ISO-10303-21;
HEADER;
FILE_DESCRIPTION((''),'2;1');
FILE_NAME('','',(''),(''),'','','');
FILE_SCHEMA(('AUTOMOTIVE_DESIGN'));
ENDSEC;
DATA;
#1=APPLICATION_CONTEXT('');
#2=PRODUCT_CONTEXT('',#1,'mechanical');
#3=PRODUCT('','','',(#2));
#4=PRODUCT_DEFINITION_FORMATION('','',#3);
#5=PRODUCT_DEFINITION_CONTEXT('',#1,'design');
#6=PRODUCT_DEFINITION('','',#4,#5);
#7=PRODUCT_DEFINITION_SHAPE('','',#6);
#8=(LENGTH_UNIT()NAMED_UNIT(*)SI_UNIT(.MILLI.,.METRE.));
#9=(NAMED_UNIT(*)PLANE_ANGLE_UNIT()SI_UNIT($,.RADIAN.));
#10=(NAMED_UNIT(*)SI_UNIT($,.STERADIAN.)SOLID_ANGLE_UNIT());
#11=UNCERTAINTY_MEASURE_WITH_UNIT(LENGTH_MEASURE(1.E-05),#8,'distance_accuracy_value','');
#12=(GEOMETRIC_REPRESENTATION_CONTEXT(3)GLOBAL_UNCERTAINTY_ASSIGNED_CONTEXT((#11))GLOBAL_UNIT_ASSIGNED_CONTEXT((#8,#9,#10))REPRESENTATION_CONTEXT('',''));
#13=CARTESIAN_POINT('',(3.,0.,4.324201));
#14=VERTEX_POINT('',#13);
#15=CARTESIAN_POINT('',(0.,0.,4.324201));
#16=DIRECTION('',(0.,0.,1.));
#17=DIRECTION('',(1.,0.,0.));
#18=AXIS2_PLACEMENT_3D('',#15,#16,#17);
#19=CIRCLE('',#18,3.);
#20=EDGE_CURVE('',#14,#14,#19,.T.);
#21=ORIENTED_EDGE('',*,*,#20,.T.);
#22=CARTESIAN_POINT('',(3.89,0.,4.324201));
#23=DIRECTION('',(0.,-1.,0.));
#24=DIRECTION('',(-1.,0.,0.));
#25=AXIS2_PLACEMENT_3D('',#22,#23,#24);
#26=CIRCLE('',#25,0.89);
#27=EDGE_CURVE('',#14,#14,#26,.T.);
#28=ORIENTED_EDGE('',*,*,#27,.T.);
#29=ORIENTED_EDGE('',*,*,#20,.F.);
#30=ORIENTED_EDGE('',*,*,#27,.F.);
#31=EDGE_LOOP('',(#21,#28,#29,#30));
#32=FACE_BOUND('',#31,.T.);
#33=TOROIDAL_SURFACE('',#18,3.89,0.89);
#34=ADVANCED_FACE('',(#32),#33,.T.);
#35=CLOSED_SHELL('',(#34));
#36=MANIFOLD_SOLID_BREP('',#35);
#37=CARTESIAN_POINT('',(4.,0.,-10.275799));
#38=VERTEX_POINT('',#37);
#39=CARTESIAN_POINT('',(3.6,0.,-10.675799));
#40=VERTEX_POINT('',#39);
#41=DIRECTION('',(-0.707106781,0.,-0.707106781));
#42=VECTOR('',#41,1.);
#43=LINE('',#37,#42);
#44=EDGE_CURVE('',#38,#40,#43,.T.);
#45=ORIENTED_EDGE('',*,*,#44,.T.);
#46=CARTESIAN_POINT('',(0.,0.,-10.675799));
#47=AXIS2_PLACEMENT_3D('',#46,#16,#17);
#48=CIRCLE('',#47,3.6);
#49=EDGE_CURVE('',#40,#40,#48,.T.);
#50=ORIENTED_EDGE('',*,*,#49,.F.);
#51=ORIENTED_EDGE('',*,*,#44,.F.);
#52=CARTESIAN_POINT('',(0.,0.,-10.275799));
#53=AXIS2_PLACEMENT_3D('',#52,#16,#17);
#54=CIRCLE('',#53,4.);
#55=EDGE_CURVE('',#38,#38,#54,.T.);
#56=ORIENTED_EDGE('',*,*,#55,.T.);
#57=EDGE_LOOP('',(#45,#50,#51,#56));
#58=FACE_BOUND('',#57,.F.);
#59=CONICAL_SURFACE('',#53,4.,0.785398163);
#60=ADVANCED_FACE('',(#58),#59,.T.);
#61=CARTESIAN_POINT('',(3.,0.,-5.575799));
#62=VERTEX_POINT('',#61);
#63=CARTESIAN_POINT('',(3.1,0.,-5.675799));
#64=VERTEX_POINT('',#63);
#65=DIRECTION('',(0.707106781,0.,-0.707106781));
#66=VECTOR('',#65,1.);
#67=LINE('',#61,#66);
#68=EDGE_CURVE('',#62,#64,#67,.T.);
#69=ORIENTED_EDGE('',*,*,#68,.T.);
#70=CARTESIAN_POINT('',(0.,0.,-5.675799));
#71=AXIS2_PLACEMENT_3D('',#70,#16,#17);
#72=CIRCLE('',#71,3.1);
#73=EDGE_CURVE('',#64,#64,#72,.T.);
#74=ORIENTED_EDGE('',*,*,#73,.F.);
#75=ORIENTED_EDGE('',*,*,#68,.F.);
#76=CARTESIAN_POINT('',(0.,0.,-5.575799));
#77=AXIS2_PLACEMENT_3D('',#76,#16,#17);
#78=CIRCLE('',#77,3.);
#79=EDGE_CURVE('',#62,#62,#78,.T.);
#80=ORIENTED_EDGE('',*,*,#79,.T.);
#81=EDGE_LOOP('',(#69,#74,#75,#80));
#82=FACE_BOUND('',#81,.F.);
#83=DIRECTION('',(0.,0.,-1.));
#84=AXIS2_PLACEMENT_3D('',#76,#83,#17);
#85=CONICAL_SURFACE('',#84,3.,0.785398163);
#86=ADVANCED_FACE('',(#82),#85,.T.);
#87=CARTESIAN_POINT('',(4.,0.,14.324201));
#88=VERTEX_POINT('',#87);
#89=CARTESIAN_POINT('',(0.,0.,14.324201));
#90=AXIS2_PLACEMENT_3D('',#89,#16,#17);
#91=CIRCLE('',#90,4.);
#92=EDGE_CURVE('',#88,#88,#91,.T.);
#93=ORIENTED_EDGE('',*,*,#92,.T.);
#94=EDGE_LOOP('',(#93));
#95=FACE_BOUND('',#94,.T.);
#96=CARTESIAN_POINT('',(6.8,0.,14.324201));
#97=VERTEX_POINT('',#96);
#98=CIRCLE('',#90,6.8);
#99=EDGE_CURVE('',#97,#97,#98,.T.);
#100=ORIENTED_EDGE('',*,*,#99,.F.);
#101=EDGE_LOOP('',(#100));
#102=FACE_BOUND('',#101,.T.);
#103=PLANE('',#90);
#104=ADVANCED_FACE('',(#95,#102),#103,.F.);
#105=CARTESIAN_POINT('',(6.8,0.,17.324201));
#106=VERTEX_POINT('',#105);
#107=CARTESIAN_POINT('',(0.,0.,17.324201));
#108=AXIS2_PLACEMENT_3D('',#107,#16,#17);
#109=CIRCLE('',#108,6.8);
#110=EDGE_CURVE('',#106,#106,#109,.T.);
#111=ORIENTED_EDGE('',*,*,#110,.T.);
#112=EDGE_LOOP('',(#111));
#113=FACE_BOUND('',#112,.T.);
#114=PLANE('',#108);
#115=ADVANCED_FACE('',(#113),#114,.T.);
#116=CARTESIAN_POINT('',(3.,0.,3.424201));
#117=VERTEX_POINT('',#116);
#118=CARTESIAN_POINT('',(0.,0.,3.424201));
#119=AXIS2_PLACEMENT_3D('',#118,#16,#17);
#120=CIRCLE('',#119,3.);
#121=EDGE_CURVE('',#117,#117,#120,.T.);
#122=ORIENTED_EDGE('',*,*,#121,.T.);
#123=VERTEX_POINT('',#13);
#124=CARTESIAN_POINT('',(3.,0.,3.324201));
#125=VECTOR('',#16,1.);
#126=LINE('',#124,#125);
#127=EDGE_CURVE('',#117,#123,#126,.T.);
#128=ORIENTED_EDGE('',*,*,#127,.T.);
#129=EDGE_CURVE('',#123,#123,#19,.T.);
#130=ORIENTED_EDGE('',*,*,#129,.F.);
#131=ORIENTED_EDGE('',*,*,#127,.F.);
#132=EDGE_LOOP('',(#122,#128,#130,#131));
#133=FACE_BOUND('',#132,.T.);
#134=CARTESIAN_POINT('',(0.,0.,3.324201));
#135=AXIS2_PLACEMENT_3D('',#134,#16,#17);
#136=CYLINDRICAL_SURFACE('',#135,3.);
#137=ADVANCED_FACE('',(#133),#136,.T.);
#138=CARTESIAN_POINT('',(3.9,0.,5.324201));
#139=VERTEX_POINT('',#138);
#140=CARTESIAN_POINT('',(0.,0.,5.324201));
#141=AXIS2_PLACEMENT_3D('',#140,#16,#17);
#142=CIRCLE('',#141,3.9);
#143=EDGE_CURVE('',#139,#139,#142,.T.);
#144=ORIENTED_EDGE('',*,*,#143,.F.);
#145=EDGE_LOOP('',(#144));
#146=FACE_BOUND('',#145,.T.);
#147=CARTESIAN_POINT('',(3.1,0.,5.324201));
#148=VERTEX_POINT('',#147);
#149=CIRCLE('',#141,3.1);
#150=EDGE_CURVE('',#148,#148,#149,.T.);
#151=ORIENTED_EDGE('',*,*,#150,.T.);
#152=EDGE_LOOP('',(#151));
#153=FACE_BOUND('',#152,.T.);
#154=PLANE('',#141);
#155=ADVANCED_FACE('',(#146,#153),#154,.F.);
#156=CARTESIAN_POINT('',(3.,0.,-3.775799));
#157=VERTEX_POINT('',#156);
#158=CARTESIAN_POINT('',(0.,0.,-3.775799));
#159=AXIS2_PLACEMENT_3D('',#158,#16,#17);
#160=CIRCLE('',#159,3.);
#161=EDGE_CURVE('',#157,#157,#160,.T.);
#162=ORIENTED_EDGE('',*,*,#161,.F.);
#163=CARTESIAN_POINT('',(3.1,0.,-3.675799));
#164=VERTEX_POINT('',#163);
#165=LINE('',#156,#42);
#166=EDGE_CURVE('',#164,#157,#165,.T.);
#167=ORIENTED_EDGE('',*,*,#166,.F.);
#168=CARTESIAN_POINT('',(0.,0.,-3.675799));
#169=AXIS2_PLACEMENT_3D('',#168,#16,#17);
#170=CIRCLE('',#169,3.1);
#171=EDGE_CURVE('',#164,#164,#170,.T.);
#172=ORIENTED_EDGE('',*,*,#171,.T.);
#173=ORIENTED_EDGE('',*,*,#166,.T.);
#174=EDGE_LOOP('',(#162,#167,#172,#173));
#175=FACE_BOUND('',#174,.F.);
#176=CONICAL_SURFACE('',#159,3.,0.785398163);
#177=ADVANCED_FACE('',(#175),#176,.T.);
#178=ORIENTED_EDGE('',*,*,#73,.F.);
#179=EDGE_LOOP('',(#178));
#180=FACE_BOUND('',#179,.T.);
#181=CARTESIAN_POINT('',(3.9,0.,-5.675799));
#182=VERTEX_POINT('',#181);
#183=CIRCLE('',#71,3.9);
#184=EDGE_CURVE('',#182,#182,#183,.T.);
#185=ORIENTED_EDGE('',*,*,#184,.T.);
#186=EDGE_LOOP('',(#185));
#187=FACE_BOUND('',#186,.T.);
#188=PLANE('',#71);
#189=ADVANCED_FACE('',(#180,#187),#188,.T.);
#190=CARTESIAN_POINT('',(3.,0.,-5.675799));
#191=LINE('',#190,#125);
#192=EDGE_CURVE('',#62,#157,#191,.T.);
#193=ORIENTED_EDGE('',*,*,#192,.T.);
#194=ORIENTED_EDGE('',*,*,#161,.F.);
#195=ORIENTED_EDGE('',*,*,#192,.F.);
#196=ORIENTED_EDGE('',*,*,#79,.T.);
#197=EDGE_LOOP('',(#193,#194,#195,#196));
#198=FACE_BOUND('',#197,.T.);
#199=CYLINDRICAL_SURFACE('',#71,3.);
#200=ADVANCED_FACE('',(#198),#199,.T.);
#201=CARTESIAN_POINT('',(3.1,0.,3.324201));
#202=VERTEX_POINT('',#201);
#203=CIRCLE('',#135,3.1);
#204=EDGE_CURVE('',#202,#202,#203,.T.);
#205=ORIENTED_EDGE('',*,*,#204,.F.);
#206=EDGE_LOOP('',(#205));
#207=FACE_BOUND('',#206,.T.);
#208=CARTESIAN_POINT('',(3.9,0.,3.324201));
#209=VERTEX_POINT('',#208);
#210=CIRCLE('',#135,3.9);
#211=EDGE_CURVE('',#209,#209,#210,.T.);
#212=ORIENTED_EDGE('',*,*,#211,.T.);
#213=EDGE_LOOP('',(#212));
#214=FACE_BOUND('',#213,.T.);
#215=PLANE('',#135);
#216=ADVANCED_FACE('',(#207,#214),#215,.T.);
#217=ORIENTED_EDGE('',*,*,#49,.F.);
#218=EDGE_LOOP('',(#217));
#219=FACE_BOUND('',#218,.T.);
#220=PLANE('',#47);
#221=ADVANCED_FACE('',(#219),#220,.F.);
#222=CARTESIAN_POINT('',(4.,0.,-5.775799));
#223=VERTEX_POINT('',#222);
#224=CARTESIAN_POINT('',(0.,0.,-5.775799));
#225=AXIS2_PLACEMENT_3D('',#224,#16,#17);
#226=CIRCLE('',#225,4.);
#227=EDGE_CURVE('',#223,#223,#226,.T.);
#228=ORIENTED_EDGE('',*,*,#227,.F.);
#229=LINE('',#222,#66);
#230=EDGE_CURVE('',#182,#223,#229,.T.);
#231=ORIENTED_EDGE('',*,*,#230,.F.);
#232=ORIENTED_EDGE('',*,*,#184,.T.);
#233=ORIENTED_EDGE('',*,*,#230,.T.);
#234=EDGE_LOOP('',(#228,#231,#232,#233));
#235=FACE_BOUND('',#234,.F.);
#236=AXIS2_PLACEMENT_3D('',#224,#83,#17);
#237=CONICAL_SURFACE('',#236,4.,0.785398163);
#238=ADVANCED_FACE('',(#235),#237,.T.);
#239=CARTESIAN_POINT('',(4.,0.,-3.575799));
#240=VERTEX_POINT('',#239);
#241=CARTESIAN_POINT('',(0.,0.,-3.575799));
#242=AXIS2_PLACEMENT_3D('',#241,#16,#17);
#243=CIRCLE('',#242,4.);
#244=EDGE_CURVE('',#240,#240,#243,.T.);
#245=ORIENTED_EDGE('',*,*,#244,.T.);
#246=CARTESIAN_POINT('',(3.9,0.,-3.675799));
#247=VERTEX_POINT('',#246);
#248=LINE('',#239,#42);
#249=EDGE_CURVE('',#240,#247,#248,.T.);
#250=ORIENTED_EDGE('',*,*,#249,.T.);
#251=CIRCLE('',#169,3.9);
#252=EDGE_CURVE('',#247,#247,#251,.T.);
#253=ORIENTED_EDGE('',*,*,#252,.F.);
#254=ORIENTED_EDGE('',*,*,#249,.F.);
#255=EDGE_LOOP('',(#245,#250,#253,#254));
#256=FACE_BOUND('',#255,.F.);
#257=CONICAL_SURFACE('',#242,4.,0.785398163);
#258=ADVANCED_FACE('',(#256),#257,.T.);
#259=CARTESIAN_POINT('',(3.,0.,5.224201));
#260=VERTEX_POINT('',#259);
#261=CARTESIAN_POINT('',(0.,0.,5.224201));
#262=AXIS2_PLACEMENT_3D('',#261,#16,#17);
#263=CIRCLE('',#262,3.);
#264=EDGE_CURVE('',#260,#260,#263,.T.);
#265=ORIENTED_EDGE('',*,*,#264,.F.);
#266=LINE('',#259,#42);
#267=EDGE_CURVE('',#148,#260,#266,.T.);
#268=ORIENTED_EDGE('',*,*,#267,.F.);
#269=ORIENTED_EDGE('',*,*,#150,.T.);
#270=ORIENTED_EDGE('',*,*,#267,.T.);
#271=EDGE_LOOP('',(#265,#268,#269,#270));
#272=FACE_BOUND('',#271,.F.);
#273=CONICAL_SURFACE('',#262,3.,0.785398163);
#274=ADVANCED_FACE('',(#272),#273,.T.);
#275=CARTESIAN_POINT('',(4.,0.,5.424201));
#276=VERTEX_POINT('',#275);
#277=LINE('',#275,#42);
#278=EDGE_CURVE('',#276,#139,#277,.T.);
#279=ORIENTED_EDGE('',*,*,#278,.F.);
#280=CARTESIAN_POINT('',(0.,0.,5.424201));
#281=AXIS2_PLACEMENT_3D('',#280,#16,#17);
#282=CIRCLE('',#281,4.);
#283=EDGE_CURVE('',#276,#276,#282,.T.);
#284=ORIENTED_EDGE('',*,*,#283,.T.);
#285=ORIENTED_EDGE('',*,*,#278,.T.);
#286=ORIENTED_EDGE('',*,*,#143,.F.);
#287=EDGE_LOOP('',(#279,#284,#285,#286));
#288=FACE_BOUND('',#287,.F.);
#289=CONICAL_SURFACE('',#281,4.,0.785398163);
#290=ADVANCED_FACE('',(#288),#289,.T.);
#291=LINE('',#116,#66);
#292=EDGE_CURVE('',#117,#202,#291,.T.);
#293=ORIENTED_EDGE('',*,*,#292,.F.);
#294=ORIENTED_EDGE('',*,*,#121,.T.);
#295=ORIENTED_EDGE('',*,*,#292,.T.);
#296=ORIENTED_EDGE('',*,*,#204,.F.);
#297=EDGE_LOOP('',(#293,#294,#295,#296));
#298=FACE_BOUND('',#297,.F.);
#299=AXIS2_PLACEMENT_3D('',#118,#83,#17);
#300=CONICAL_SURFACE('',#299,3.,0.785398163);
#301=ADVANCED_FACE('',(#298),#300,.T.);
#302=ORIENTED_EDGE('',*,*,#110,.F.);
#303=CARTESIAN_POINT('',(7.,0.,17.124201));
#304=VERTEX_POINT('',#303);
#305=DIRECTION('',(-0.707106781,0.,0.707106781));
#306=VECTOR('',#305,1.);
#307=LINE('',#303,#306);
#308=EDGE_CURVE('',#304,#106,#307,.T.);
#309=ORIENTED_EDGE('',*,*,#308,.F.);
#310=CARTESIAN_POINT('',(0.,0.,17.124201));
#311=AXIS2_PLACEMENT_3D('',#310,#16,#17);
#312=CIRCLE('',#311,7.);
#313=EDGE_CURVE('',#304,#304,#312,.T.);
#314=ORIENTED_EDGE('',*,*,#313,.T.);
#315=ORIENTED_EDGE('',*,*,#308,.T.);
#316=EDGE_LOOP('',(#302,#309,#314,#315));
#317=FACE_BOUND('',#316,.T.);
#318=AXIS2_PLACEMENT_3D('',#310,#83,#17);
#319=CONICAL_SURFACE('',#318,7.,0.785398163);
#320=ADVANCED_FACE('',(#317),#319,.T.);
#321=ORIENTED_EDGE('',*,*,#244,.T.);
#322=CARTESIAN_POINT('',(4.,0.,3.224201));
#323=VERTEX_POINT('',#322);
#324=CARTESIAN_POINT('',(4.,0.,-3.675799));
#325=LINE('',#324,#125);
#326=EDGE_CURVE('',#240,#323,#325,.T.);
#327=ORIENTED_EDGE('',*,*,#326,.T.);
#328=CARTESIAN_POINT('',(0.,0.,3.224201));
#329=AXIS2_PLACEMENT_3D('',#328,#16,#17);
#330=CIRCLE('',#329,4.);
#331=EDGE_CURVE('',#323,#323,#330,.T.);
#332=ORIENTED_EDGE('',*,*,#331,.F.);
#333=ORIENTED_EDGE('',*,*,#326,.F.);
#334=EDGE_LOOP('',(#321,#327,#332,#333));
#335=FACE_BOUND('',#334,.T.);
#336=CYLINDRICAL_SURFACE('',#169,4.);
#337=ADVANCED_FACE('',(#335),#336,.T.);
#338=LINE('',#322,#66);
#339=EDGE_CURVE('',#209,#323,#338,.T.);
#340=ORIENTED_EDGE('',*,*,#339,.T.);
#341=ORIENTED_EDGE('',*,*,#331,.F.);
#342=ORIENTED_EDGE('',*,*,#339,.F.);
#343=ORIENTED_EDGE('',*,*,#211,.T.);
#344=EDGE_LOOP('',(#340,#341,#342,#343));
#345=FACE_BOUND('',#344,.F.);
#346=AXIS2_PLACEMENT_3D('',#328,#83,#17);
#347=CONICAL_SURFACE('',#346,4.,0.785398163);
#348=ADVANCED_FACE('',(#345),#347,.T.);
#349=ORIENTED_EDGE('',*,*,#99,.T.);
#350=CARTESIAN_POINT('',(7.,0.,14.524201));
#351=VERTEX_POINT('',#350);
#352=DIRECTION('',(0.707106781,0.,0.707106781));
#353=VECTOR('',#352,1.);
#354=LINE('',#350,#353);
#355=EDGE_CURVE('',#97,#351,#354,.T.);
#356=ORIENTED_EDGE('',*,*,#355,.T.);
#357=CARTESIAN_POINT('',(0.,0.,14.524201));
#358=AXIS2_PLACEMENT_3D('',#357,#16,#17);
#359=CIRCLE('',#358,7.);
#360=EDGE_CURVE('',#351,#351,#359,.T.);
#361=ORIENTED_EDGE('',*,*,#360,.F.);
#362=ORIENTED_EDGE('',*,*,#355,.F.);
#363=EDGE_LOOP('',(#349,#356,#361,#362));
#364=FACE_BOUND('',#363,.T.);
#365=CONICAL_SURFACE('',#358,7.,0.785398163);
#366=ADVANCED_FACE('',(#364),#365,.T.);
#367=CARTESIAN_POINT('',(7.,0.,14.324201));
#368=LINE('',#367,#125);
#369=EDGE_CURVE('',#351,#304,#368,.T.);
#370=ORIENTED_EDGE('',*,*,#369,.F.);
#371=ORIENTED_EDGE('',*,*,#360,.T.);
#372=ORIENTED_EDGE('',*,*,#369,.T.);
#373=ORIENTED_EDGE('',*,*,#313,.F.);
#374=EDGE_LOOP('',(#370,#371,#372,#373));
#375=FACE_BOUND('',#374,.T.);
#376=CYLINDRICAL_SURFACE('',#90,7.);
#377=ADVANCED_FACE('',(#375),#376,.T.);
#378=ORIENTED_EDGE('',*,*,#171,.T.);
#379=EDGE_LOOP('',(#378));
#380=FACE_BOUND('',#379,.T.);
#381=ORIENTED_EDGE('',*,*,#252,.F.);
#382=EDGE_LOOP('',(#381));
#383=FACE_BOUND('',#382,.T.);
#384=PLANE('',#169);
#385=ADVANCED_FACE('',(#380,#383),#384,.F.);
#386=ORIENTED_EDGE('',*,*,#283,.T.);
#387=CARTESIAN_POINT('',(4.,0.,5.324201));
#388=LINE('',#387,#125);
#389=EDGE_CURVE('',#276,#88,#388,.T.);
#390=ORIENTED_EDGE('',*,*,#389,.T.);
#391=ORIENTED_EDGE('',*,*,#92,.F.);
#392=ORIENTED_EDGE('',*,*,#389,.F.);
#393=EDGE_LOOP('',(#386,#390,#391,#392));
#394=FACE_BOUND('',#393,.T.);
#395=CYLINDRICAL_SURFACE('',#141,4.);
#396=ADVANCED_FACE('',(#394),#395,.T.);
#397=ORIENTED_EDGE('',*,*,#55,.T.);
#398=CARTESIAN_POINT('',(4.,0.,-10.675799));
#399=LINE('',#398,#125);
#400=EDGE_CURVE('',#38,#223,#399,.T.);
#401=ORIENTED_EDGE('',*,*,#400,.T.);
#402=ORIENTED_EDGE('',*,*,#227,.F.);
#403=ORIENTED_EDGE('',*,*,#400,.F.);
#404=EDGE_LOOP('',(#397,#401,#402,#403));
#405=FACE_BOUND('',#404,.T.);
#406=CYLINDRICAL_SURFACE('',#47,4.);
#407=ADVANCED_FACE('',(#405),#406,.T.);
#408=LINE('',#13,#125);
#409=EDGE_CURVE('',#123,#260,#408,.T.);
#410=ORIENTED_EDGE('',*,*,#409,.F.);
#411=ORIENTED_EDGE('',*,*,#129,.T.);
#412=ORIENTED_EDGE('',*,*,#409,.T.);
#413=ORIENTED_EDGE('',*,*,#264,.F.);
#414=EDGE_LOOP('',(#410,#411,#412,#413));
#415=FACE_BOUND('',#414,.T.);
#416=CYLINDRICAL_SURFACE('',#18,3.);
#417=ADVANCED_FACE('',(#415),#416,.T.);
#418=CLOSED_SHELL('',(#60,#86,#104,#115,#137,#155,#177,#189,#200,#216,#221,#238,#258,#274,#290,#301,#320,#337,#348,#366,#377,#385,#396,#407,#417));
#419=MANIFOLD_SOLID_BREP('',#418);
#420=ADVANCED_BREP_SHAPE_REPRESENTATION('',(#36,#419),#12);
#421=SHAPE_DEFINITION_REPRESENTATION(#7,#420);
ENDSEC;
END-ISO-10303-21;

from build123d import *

# Parameters (mm, degrees)
F2_SIZE = 0.1
F3_SIZE = 0.1
F4_SIZE = 0.2
F5_SIZE = 0.4


with BuildPart() as f1:
    # F0 (on Front) → F1 (revolve)
    with BuildSketch(Plane.XZ):
        with BuildLine():
            ThreePointArc((4.78, 4.324201), (3.89, 5.214201), (3, 4.324201))
            ThreePointArc((3, 4.324201), (3.89, 3.434201), (4.78, 4.324201))
        make_face()
        Polygon((7, 17.324201), (0, 17.324201), (0, -10.675799), (4, -10.675799), (4, -5.675799), (3, -5.675799), (3, -3.675799), (4, -3.675799), (4, 3.324201), (3, 3.324201), (3, 4.324201), (3, 5.324201), (4, 5.324201), (4, 14.324201), (7, 14.324201), align=None)
    revolve(axis=Axis((0, 0, 3.324201), (0, 0, 1)))

    # F2
    f2_edges = [f1.edges().sort_by_distance(p)[0] for p in [
        (-3, 0, 5.324201),
        (-4, 0, 5.324201),
    ]]
    chamfer(f2_edges, length=F2_SIZE)

    # F3
    f3_edges = [f1.edges().sort_by_distance(p)[0] for p in [
        (-4, 0, 3.324201),
        (-4, 0, -3.675799),
        (-4, 0, -5.675799),
        (-3, 0, 3.324201),
        (-3, 0, -5.675799),
        (-3, 0, -3.675799),
    ]]
    chamfer(f3_edges, length=F3_SIZE)

    # F4
    f4_edges = [f1.edges().sort_by_distance(p)[0] for p in [
        (-7, 0, 17.324201),
        (-7, 0, 14.324201),
    ]]
    chamfer(f4_edges, length=F4_SIZE)

    # F5
    f5_edges = [f1.edges().sort_by_distance(p)[0] for p in [
        (-4, 0, -10.675799),
    ]]
    chamfer(f5_edges, length=F5_SIZE)


solid = f1.part
